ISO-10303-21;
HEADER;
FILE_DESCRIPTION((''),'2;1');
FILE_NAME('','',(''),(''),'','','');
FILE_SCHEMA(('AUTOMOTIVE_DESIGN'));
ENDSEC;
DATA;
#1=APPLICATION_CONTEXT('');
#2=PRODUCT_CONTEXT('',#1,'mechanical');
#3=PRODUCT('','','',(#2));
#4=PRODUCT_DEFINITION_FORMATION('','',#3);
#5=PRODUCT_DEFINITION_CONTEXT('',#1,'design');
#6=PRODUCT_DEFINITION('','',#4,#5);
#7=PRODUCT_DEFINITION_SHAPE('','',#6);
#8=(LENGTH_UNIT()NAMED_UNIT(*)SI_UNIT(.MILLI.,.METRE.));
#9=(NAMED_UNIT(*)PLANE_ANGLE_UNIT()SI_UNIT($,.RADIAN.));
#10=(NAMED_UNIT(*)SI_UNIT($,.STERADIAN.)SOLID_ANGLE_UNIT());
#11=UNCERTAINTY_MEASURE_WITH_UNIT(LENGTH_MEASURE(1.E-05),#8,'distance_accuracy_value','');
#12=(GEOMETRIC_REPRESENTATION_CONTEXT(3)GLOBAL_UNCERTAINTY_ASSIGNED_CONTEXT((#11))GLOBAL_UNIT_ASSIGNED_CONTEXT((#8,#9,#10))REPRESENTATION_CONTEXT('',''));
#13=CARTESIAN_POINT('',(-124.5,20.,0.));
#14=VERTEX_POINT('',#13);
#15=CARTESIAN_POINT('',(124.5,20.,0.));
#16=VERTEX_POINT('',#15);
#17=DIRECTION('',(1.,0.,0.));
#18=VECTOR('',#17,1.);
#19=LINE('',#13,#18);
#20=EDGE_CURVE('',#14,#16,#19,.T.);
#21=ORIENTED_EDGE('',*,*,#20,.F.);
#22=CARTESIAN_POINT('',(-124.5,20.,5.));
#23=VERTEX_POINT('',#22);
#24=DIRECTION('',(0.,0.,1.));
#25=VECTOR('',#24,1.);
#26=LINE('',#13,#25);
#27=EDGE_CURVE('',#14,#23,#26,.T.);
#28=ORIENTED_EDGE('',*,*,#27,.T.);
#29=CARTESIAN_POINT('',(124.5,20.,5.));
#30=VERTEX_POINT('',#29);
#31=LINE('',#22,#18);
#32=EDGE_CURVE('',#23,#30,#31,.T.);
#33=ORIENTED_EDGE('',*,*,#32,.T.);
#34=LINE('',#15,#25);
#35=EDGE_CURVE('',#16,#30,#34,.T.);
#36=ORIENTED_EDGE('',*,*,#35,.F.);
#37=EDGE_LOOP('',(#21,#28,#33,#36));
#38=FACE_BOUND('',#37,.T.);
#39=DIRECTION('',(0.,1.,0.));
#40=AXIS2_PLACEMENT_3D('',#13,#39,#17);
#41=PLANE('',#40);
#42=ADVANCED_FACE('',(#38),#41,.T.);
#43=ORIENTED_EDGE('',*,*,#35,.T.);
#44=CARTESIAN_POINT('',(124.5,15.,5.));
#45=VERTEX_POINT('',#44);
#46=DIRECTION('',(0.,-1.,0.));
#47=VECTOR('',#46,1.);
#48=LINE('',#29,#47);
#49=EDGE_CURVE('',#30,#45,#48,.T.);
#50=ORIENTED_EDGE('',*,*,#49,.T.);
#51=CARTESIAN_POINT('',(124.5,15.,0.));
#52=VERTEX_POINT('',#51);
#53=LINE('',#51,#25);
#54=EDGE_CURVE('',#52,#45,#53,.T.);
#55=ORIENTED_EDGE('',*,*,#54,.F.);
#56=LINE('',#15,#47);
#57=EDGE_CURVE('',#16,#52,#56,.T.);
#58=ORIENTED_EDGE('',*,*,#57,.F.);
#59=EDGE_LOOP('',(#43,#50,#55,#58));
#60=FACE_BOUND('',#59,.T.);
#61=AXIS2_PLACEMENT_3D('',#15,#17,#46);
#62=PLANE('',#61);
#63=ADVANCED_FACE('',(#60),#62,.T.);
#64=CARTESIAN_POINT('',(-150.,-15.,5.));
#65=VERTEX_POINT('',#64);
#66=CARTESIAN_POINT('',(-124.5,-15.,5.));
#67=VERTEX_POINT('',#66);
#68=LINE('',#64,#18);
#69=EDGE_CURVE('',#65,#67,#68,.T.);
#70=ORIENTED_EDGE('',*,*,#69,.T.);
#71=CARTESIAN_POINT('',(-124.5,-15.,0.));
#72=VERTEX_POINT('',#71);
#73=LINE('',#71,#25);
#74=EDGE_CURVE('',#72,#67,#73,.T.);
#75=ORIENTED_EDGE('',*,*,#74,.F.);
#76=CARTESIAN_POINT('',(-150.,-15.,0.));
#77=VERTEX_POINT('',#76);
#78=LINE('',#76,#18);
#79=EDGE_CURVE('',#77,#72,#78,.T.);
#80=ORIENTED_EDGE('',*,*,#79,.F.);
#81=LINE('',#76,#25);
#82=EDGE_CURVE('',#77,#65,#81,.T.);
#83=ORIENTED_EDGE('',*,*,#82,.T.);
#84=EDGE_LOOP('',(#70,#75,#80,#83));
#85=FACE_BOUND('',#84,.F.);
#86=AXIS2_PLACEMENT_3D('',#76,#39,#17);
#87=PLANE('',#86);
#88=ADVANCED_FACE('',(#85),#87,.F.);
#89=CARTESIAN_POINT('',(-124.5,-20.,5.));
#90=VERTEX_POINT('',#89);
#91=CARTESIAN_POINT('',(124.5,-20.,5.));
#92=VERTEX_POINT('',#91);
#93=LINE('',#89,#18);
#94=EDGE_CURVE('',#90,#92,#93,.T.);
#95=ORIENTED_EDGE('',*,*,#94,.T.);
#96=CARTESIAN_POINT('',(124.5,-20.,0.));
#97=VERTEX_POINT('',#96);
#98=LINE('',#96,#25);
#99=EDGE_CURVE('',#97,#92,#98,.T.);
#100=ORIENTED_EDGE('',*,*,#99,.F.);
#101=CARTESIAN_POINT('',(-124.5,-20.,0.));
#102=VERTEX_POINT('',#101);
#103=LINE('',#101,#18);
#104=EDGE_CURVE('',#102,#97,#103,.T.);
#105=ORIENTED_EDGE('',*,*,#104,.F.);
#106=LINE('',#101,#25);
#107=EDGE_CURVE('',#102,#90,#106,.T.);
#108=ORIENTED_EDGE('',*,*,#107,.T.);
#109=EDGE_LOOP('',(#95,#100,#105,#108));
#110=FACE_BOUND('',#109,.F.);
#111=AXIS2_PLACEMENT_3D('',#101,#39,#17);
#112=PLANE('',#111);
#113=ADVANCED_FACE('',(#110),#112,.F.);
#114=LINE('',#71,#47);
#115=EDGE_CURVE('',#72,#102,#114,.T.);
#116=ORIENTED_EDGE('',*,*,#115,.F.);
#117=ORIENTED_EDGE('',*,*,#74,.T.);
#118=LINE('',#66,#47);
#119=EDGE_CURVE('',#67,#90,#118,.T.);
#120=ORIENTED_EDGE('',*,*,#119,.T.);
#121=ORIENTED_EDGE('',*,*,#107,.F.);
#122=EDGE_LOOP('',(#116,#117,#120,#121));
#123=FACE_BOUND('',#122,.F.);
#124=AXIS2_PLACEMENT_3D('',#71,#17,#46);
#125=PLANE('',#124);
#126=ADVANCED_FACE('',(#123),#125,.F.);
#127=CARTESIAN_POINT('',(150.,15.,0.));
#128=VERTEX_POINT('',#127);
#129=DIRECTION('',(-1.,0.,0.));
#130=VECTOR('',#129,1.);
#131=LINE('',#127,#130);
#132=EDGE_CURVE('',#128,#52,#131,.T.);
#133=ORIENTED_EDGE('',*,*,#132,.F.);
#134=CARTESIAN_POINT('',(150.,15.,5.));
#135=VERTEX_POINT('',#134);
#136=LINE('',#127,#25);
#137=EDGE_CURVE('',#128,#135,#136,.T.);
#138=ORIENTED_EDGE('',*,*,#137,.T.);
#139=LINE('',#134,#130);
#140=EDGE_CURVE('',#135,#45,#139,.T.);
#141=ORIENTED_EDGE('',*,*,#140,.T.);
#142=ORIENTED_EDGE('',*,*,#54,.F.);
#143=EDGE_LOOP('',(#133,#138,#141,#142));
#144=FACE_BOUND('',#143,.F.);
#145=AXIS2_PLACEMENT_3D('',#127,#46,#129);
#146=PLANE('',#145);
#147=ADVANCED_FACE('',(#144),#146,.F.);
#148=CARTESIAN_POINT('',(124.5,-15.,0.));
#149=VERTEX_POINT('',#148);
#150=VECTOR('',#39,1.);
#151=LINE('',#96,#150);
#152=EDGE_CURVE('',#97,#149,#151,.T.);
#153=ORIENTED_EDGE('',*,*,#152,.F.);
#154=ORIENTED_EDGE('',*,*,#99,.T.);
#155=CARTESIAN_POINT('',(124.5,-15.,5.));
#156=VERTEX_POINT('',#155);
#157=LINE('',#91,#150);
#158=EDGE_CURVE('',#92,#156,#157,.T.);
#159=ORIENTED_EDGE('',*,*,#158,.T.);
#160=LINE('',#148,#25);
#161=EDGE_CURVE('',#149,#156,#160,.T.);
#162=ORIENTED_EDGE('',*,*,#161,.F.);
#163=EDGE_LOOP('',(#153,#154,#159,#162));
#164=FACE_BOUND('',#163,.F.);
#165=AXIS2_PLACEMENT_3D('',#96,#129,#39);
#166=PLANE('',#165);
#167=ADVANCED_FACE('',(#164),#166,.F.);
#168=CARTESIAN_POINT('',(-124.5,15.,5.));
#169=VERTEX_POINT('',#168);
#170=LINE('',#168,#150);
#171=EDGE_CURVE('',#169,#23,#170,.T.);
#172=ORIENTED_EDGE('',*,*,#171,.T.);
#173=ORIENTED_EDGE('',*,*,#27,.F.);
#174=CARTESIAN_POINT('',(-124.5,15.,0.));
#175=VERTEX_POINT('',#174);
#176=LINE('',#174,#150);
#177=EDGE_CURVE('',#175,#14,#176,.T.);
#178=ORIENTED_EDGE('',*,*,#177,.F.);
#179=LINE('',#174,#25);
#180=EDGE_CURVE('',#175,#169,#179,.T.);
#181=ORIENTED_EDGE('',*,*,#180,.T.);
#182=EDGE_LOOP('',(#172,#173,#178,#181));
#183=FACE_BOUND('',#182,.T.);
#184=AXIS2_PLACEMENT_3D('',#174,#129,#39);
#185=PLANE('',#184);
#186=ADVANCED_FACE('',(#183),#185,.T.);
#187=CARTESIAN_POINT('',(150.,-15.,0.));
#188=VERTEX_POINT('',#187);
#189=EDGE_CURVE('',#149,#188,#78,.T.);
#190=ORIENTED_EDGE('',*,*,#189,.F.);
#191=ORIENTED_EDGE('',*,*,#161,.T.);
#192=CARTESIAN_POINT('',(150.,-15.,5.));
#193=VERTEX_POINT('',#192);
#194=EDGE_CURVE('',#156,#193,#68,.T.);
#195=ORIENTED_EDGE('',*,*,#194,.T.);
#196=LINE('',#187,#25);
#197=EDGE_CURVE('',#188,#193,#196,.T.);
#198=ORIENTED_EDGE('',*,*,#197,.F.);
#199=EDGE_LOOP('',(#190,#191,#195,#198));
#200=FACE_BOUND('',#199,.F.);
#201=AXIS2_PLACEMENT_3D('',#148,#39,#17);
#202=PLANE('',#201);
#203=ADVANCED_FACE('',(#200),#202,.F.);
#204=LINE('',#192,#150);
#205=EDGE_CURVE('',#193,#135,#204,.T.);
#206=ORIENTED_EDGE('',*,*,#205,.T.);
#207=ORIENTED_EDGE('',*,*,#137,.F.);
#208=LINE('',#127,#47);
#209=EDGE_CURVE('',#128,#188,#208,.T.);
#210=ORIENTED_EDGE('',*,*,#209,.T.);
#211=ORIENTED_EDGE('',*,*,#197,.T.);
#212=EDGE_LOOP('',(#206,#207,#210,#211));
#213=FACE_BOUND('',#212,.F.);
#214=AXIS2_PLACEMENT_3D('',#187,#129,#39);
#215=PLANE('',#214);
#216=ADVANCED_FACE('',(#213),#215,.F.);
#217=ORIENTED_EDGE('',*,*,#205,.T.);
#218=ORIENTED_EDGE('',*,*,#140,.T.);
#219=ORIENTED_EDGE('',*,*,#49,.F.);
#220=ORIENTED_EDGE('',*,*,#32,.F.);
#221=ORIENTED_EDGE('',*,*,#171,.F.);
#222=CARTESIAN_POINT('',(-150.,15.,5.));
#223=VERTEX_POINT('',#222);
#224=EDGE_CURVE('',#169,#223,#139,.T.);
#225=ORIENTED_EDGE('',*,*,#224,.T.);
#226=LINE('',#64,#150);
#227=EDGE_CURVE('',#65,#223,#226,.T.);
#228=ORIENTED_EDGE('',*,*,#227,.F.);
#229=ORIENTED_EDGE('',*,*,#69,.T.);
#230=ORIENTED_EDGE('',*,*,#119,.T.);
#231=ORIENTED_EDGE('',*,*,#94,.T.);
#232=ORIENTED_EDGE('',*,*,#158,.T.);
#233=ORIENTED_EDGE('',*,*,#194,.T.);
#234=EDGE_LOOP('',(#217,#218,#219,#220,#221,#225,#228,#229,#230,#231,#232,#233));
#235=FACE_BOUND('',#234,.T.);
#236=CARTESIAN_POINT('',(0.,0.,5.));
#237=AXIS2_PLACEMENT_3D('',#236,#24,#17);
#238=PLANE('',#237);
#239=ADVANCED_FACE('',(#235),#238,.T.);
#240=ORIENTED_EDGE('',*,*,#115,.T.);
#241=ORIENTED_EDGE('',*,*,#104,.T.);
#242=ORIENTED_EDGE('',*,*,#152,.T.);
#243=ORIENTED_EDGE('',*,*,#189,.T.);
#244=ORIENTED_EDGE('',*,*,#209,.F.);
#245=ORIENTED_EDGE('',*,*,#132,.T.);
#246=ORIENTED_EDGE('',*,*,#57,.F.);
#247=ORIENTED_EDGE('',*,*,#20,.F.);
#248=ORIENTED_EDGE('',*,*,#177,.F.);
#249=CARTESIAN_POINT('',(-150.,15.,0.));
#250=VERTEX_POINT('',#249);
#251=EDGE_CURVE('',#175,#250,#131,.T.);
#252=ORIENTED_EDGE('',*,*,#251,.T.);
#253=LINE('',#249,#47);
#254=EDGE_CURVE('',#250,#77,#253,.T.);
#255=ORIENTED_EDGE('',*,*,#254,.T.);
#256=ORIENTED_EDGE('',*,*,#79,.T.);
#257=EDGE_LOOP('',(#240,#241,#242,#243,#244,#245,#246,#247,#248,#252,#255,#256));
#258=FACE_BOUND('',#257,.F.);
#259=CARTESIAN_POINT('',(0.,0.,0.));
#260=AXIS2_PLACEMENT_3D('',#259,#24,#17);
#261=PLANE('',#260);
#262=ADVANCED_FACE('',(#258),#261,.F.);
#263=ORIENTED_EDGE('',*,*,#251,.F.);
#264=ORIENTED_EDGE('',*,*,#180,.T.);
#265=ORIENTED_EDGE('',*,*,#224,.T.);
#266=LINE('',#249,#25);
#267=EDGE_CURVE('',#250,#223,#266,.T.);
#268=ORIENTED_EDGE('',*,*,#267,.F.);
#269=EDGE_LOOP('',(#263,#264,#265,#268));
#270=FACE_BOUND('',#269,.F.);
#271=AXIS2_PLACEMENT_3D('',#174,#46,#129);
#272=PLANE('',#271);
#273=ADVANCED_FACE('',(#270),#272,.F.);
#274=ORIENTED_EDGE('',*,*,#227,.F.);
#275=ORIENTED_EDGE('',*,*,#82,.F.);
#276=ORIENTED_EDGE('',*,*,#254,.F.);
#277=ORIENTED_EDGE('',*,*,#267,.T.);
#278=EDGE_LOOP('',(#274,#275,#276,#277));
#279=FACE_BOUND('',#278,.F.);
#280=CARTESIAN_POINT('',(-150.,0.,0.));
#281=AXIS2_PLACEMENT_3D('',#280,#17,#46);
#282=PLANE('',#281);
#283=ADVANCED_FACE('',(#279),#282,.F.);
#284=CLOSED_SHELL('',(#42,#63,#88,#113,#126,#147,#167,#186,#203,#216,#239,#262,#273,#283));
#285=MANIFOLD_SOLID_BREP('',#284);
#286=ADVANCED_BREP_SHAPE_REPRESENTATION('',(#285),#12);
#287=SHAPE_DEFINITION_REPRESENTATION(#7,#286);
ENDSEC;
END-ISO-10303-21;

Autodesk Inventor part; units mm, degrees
ref_plane "YZ Plane" through (0, 0, 0) normal (1, 0, 0) x (0, 1, 0)
ref_plane "XZ Plane" through (0, 0, 0) normal (0, 1, 0) x (-1, 0, 0)
ref_plane "XY Plane" through (0, 0, 0) normal (0, 0, 1) x (1, 0, 0)
sketch "Sketch1" plane through (0, 0, 0) normal (0, 0, 1) x (1, 0, 0)
  line L0 (-150, -15) -> (150, -15)
  line L1 (150, -15) -> (150, 15)
  line L2 (150, 15) -> (-150, 15)
  line L3 (-150, 15) -> (-150, -15)
  line L4 (-150, -15) -> (150, 15) construction
  line L5 (150, -15) -> (-150, 15) construction
  line L6 (-124.5, 20) -> (124.5, 20)
  line L7 (124.5, 20) -> (124.5, 15)
  line L8 (124.5, 15) -> (-124.5, 15)
  line L9 (-124.5, 15) -> (-124.5, 20)
  line L10 (-124.5, 20) -> (124.5, 15) construction
  line L11 (124.5, 20) -> (-124.5, 15) construction
  line L12 (-150, 0) -> (150, 0)
  line L13 (-124.5, -20) -> (124.5, -20)
  line L14 (124.5, -20) -> (124.5, -15)
  line L15 (124.5, -15) -> (-124.5, -15)
  line L16 (-124.5, -15) -> (-124.5, -20)
  line L17 (-124.5, -20) -> (124.5, -15) construction
  line L18 (124.5, -20) -> (-124.5, -15) construction
  point P0 (0, 0)
  point P1 (0, 0)
  point P2 (0, 17.5)
  point P3 (0, 15)
  point P4 (-77.3047, 14.0744)
  point P5 (81.6953, 14.0744)
  point P6 (0, -15)
  point P7 (0, -17.5)
  dimension "d0" = 5
  dimension "d1" = 30
  dimension "d2" = 300
  dimension "d3" = 249
extrude "Plate1" add sketch "Sketch1" along normal blind 5
equation "\"d4\" = Thickness"
equation "\"BendRadius\" = Thickness"
equation "\"BendReliefWidth\" = Thickness"
equation "\"BendReliefDepth\" = 0.5 * Thickness"
equation "\"TransitionRadius\" = BendRadius"
equation "\"JacobiRadiusSize\" = BendRadius"
equation "\"GapSize\" = Thickness"
equation "\"Thickness\" = 5"
properties part number "Base Leg V2"
